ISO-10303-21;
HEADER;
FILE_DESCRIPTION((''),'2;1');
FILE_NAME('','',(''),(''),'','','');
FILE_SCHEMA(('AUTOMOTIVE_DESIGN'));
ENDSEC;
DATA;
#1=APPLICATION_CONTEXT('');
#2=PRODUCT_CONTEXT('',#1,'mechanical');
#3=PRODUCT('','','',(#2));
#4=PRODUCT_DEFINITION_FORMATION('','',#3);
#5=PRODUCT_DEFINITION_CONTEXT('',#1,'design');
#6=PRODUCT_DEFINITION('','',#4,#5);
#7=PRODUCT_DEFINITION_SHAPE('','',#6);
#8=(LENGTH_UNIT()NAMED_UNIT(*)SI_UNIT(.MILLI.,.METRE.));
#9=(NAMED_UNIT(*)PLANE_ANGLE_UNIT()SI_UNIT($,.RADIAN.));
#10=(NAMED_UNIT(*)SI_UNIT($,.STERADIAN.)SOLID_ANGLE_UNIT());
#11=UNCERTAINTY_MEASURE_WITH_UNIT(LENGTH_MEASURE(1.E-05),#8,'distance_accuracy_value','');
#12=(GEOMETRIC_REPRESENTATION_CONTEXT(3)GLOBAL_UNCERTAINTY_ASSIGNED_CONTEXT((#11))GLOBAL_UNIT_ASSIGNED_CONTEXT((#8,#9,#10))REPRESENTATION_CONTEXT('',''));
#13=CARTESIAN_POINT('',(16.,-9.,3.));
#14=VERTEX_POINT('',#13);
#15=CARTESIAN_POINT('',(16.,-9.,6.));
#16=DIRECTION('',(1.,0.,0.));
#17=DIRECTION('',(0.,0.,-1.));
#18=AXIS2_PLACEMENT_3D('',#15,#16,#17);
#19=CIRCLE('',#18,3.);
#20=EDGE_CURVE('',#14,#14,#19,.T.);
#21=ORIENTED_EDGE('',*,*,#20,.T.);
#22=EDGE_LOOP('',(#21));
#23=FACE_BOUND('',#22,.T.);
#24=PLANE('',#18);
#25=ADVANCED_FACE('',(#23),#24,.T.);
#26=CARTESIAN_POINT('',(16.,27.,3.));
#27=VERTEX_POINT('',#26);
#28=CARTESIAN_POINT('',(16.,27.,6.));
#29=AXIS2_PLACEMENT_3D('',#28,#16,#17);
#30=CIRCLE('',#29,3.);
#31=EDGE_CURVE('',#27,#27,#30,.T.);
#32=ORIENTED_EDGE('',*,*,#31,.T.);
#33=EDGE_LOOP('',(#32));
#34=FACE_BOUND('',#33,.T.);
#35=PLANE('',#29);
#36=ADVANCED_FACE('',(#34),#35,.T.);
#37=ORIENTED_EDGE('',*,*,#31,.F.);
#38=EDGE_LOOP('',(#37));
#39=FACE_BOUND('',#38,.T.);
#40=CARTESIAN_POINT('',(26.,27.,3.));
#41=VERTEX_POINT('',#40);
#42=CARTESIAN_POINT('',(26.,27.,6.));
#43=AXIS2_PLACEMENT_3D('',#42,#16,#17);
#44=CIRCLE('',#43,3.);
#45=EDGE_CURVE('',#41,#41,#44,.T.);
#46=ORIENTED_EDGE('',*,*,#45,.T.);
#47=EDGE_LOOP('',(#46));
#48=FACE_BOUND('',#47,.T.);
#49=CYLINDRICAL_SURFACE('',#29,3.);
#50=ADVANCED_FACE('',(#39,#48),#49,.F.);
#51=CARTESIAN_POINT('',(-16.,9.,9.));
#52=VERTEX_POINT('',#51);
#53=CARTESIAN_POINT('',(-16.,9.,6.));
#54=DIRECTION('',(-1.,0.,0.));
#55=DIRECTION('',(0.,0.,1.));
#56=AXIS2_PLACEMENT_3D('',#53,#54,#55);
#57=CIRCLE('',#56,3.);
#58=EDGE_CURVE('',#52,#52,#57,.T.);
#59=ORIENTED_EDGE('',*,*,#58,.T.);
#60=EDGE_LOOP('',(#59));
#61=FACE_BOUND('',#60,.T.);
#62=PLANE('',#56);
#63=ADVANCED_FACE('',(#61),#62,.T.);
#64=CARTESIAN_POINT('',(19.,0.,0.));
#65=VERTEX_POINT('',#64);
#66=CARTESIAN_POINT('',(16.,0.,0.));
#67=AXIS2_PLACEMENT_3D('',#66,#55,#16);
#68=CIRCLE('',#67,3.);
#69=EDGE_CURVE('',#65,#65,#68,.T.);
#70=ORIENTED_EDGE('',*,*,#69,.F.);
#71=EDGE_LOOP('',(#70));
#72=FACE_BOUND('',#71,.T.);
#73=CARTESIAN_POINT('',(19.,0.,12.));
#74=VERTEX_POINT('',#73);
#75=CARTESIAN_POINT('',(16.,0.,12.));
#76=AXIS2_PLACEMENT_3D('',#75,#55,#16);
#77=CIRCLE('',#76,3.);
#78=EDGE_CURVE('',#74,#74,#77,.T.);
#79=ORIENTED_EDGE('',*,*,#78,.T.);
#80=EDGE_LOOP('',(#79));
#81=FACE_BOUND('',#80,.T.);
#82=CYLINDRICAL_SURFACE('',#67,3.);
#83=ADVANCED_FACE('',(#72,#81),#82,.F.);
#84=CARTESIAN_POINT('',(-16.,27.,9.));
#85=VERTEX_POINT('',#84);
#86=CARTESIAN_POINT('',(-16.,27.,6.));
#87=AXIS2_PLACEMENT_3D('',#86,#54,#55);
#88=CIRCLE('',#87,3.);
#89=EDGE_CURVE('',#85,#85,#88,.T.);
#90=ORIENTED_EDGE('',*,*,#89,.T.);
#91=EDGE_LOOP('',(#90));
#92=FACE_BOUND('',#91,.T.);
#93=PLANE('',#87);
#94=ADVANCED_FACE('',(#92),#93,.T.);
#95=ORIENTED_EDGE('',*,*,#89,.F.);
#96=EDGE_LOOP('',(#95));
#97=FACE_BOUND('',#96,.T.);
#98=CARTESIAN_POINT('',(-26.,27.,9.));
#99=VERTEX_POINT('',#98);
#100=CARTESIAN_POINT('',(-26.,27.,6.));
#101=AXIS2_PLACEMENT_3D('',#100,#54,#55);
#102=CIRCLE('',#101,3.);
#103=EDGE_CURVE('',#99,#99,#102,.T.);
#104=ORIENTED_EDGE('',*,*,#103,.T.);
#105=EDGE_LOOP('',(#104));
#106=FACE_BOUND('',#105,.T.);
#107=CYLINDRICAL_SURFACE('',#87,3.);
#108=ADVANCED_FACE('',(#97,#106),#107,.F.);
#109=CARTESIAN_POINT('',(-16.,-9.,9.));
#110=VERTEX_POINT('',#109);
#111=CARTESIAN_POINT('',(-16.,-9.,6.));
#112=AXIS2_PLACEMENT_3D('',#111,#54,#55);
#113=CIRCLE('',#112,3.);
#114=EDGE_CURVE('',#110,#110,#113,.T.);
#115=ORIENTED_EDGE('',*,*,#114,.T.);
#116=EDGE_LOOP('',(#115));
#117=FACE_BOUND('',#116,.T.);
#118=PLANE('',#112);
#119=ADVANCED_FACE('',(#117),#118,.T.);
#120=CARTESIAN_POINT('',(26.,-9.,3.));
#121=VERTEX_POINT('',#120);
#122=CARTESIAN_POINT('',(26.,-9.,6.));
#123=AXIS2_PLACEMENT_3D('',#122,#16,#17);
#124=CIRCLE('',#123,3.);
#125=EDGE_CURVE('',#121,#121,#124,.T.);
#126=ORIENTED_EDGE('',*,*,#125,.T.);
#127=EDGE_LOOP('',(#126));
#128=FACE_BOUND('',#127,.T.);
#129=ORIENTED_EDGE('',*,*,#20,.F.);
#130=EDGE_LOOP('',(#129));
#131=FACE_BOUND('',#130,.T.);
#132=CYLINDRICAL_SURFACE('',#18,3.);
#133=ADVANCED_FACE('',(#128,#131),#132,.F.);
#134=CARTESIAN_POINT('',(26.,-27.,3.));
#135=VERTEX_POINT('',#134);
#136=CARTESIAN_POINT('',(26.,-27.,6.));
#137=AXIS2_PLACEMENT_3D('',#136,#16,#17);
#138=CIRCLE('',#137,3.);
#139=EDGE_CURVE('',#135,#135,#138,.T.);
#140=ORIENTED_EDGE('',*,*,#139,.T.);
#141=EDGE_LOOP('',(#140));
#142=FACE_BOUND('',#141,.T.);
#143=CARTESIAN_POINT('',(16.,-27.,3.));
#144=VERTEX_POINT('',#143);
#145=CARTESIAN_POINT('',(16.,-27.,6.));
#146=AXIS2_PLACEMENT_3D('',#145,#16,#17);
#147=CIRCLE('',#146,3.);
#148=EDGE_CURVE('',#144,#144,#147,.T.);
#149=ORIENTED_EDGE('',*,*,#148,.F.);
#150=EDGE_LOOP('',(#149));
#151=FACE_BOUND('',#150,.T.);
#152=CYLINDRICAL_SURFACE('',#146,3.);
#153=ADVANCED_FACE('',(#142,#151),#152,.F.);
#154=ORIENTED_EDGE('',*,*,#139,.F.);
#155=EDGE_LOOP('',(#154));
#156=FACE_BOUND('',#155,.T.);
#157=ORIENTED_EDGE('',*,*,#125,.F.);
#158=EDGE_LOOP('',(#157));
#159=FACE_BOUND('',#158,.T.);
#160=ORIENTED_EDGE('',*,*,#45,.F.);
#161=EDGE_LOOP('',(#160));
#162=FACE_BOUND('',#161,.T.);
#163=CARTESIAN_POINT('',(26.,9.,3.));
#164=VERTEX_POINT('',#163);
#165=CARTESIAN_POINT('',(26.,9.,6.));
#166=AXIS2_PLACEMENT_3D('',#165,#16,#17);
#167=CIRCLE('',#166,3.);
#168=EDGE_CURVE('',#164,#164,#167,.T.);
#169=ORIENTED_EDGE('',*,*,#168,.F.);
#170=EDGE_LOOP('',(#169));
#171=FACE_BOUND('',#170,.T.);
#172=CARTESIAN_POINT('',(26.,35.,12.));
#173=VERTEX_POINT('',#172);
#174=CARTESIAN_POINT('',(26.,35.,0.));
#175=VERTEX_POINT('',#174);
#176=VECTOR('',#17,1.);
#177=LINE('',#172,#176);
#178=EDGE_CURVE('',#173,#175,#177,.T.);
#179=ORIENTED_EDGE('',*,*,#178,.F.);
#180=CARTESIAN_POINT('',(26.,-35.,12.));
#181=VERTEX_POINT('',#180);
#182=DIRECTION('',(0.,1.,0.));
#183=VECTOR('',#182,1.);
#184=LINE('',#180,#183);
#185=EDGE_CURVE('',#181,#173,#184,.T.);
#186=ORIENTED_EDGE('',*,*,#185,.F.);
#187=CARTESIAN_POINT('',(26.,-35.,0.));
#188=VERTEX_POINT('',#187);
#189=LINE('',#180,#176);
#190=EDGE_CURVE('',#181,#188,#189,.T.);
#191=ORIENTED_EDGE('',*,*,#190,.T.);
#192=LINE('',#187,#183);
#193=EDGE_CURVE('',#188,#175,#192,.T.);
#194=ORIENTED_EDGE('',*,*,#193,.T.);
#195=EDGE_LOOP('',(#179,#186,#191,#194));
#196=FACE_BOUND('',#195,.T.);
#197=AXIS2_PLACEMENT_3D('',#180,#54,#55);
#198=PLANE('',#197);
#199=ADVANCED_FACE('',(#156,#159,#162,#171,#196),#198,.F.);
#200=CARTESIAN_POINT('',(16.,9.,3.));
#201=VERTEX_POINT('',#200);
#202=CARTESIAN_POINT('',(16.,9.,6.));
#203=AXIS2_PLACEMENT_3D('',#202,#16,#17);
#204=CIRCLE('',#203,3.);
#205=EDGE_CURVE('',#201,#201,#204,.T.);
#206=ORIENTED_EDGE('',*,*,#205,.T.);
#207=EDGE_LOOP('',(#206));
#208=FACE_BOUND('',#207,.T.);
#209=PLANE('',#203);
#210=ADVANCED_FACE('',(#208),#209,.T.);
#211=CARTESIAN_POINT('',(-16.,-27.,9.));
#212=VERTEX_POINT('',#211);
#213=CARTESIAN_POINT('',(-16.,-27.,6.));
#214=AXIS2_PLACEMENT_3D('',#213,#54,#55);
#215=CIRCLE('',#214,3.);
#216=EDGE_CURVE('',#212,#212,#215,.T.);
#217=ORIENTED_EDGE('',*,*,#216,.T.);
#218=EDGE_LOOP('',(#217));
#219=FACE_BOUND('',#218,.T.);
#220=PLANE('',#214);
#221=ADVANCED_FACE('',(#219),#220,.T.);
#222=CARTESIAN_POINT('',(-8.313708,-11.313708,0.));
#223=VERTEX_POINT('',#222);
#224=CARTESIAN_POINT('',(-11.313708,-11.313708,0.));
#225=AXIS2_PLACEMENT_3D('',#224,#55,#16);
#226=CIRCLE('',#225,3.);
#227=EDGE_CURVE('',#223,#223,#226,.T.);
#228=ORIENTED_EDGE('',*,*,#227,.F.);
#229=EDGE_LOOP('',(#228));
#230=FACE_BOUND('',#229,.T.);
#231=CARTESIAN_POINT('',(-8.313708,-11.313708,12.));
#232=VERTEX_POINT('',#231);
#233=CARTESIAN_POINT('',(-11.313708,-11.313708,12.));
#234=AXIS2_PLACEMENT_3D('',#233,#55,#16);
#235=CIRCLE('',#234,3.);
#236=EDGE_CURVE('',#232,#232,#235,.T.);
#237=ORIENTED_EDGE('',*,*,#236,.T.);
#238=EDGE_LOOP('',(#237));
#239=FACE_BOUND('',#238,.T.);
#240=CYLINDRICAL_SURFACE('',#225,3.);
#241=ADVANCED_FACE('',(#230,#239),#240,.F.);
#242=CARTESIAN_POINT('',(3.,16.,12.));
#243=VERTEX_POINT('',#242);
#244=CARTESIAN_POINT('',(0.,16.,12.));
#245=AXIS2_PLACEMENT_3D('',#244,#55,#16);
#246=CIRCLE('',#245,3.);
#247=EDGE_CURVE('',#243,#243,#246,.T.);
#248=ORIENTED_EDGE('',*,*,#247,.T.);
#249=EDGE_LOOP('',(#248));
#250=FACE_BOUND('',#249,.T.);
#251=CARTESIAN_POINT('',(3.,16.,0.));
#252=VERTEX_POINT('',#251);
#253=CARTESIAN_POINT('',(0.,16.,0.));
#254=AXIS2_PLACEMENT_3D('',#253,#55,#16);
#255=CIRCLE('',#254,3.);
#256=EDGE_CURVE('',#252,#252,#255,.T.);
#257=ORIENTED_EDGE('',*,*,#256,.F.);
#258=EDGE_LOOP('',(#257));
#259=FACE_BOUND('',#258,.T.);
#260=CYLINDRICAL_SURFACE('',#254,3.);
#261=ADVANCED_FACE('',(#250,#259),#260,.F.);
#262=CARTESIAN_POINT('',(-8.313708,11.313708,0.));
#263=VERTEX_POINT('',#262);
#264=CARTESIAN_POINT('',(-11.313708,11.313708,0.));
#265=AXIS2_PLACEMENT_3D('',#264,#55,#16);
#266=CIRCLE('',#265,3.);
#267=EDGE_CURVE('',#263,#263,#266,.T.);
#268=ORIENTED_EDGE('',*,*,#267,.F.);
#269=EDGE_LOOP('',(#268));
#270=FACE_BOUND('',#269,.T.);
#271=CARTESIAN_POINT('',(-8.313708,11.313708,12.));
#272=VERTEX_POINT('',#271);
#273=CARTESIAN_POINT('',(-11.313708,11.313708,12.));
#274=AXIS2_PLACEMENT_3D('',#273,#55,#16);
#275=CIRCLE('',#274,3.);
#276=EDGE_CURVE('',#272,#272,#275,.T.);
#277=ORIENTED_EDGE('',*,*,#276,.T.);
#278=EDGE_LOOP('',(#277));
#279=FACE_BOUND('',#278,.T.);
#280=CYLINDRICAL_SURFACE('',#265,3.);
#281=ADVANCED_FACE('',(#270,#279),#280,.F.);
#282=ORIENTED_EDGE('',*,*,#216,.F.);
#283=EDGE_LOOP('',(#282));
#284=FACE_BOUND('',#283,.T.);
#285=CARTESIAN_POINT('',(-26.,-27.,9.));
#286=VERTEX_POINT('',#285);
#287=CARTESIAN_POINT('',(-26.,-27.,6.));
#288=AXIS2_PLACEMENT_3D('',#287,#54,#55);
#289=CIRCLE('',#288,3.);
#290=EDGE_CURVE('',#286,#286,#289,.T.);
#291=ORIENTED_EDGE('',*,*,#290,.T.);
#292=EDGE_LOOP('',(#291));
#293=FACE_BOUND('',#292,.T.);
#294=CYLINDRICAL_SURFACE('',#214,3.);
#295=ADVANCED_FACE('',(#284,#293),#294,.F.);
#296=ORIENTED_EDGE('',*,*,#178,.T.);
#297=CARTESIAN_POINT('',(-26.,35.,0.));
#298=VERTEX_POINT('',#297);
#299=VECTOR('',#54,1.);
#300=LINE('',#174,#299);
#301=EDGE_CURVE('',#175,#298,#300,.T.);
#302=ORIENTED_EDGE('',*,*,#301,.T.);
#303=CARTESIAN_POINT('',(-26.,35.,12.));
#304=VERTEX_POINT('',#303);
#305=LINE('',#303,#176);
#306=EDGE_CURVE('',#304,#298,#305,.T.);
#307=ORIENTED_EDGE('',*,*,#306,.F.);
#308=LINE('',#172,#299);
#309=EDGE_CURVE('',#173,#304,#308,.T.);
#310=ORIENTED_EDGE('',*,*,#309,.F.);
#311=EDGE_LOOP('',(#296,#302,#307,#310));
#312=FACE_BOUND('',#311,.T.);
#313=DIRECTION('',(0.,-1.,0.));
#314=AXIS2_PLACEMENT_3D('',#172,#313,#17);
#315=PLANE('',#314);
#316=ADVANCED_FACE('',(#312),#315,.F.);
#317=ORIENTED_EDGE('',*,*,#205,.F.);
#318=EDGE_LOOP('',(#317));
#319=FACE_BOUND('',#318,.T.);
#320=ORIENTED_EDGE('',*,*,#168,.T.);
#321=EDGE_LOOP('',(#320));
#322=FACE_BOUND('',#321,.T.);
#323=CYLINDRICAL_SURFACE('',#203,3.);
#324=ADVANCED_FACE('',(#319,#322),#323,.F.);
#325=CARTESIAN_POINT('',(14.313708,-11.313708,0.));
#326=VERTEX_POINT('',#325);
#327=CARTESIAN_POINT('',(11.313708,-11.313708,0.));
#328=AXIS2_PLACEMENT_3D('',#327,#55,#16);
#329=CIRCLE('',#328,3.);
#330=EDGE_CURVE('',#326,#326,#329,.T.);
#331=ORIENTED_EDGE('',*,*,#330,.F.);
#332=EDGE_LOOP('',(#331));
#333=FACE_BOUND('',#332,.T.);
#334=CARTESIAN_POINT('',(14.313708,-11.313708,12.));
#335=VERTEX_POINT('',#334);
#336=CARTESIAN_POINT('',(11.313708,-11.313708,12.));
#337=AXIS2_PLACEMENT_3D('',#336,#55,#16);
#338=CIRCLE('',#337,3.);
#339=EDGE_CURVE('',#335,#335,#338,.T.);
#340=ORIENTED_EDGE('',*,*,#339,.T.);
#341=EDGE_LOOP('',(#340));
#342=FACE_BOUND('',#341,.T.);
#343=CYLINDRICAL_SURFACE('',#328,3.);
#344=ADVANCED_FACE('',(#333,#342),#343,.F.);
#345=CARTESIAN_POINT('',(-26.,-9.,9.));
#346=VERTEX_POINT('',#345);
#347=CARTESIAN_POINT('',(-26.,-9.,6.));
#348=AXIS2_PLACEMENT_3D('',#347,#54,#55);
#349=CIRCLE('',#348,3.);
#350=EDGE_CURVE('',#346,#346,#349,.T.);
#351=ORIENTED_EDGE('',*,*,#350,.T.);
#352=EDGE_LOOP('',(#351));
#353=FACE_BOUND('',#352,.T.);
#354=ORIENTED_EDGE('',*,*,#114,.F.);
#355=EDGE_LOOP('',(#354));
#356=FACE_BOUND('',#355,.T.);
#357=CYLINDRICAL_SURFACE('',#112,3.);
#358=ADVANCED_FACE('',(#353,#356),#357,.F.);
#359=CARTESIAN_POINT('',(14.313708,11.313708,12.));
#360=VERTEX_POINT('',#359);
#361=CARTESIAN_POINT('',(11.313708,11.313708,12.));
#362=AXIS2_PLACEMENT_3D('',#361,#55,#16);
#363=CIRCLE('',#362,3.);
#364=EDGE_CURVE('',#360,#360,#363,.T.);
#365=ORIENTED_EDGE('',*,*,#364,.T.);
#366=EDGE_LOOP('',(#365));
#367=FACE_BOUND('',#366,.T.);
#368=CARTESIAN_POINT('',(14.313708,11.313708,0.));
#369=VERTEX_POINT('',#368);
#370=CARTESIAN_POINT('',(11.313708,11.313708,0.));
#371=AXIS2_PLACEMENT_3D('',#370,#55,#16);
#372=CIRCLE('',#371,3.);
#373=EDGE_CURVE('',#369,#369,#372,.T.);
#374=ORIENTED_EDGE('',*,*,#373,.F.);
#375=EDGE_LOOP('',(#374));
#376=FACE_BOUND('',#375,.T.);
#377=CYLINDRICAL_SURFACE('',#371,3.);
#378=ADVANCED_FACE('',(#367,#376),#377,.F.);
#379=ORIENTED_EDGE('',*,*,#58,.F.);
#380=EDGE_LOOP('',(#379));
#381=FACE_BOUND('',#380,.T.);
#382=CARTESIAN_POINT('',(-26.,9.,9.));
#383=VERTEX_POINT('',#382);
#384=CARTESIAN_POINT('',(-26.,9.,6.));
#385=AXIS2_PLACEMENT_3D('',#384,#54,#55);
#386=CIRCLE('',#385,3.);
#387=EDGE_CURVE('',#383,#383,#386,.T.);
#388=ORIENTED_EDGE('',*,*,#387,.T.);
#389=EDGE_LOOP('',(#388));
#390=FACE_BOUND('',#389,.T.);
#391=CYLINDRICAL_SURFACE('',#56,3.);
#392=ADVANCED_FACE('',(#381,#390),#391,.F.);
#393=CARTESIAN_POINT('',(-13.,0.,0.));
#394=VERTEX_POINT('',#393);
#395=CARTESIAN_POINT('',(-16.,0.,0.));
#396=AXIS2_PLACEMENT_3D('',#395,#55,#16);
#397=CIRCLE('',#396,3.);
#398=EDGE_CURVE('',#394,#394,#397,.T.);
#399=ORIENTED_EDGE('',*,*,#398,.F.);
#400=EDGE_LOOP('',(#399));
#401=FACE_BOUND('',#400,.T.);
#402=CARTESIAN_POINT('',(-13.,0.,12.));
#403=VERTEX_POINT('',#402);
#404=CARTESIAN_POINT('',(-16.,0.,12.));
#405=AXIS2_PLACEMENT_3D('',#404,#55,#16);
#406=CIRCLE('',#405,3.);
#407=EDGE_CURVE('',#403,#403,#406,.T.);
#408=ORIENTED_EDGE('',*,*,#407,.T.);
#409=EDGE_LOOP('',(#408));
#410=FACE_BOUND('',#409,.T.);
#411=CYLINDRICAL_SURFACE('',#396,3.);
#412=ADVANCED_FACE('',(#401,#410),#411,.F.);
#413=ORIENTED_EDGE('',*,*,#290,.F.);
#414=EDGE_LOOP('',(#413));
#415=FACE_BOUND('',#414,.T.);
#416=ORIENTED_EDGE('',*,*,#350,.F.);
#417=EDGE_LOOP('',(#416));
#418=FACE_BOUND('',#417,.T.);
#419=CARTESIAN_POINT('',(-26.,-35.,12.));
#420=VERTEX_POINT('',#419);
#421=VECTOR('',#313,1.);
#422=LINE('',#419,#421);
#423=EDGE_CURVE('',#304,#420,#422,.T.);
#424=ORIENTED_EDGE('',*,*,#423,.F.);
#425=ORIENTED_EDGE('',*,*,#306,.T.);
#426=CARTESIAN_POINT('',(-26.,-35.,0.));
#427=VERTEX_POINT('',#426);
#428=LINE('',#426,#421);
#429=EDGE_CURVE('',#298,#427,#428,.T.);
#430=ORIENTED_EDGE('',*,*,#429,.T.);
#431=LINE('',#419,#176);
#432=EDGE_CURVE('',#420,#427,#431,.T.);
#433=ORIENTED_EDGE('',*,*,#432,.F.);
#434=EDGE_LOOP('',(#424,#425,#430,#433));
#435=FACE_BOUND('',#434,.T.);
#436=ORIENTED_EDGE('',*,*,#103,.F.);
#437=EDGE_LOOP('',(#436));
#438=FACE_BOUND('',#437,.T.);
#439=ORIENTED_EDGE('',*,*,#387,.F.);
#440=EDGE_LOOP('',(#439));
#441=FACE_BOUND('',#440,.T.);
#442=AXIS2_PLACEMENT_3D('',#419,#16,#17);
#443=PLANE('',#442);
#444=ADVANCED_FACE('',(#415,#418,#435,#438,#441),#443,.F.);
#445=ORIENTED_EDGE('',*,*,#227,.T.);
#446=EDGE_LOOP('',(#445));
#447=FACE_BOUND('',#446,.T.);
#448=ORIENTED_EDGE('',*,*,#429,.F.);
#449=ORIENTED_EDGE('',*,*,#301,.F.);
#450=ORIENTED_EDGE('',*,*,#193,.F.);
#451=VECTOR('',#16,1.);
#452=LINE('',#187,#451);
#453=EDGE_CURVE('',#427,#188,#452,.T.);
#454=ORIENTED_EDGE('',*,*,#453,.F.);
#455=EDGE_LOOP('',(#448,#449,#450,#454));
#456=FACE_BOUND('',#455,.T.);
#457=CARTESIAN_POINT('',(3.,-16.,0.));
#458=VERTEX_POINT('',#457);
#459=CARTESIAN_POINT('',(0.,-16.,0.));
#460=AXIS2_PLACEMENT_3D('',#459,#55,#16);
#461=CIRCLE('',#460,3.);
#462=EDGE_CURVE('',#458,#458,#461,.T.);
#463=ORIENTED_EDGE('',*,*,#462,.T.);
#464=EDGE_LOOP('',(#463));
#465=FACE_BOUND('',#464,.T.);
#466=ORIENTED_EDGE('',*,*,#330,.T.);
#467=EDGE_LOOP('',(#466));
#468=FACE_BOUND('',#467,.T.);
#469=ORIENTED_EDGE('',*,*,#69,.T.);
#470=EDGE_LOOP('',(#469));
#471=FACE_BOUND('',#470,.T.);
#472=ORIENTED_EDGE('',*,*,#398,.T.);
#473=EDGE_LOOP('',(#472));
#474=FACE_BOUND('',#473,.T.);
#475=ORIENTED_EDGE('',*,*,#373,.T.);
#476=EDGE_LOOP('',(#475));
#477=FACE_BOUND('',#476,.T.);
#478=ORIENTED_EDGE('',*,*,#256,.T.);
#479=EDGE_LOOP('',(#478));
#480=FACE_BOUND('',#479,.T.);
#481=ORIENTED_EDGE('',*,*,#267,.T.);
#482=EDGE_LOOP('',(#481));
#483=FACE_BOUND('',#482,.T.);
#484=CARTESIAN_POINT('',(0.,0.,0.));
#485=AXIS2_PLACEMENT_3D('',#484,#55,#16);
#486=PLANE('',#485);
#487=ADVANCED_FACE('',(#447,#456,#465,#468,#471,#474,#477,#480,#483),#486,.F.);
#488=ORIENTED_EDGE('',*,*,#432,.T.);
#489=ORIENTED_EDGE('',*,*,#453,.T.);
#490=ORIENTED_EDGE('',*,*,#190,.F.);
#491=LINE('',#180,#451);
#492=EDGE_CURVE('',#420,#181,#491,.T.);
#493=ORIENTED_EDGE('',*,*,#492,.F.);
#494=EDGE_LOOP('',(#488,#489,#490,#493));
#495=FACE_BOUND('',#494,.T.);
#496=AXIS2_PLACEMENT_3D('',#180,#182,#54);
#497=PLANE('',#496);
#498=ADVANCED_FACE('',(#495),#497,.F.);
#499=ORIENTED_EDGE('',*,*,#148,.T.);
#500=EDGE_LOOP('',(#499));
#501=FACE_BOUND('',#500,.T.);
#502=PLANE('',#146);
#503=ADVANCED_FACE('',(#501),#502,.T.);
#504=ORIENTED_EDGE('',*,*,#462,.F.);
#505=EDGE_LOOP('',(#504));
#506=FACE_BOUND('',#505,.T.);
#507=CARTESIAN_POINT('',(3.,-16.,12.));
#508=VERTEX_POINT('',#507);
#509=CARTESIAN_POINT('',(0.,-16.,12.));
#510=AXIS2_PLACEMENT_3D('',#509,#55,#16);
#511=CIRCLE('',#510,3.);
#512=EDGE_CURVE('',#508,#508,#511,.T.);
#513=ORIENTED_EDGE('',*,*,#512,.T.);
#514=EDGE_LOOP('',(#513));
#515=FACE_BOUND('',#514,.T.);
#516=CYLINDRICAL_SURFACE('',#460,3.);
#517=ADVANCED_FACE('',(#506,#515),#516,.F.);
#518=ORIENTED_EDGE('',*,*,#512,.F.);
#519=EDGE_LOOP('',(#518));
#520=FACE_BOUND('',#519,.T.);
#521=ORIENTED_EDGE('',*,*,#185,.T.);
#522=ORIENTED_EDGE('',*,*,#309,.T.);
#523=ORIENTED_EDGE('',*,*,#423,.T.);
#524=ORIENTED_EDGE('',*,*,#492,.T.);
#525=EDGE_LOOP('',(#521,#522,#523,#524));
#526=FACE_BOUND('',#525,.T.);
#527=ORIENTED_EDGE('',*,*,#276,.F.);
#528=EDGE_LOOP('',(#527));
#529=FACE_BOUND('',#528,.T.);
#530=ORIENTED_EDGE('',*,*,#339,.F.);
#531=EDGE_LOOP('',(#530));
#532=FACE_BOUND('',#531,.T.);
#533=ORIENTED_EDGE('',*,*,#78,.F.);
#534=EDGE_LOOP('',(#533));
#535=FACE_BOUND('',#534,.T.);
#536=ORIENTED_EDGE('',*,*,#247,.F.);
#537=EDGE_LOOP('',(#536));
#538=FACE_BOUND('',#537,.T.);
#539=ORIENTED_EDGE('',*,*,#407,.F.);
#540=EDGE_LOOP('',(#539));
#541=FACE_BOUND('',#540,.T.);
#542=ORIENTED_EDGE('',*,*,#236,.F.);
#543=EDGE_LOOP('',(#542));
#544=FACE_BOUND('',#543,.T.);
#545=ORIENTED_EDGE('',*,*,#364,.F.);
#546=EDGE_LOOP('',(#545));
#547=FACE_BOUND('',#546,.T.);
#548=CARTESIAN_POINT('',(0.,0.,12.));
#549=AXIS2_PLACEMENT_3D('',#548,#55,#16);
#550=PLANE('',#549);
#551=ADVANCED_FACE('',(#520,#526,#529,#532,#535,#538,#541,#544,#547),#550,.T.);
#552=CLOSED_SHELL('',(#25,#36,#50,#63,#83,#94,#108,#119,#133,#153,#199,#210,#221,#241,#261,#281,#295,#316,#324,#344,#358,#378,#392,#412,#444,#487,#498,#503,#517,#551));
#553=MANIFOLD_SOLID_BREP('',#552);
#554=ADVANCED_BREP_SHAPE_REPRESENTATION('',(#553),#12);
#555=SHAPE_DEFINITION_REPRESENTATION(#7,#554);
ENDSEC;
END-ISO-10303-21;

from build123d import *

# Parameters (mm, degrees)
SKETCH_1_W          = 52
SKETCH_1_H          = 70
EXTRUDE_1_DEPTH     = 12
SKETCH_2_R          = 3
CUT_EXTRUDE_1_DEPTH = 10
CUT_EXTRUDE_START   = -10
SKETCH_3_R          = 3
CUT_EXTRUDE_2_DEPTH = 10
SKETCH_4_R          = 3
CUT_EXTRUDE_3_DEPTH = 12


with BuildPart() as part:
    # 草图1 → 凸台-拉伸1 (new body)
    with BuildSketch(Plane.XY):
        Rectangle(SKETCH_1_W, SKETCH_1_H)
    extrude(amount=EXTRUDE_1_DEPTH)

    # 草图2 → 切除-拉伸1 (cut)
    with BuildSketch(Plane.ZY.offset(26)):
        with Locations((6, 27)):
            Circle(SKETCH_2_R)
        with Locations((6, 9)):
            Circle(SKETCH_2_R)
        with Locations((6, -9)):
            Circle(SKETCH_2_R)
        with Locations((6, -27)):
            Circle(SKETCH_2_R)
    extrude(amount=-CUT_EXTRUDE_1_DEPTH, mode=Mode.SUBTRACT)

    # 草图3 → 切除-拉伸2 (cut)
    with BuildSketch(Plane(origin=(26, 0, 0), x_dir=(0, 0, -1), z_dir=(1, 0, 0)).offset(CUT_EXTRUDE_START)):
        with Locations(Location((-6, 27, 0), (0, 0, 180))):
            Circle(SKETCH_3_R)
        with Locations(Location((-6, 9, 0), (0, 0, 180))):
            Circle(SKETCH_3_R)
        with Locations(Location((-6, -9, 0), (0, 0, 180))):
            Circle(SKETCH_3_R)
        with Locations(Location((-6, -27, 0), (0, 0, 180))):
            Circle(SKETCH_3_R)
    extrude(amount=CUT_EXTRUDE_2_DEPTH, mode=Mode.SUBTRACT)

    # 草图4 → 切除-拉伸3 (cut)
    with BuildSketch(Plane.XY.offset(12)):
        with Locations((16, 0)):
            Circle(SKETCH_4_R)
        with Locations((11.313708499, -11.313708499)):
            Circle(SKETCH_4_R)
        with Locations((0, -16)):
            Circle(SKETCH_4_R)
        with Locations((-11.313708499, -11.313708499)):
            Circle(SKETCH_4_R)
        with Locations((-16, 0)):
            Circle(SKETCH_4_R)
        with Locations((-11.313708499, 11.313708499)):
            Circle(SKETCH_4_R)
        with Locations((0, 16)):
            Circle(SKETCH_4_R)
        with Locations((11.313708499, 11.313708499)):
            Circle(SKETCH_4_R)
    extrude(amount=-CUT_EXTRUDE_3_DEPTH, mode=Mode.SUBTRACT)


solid = part.part
